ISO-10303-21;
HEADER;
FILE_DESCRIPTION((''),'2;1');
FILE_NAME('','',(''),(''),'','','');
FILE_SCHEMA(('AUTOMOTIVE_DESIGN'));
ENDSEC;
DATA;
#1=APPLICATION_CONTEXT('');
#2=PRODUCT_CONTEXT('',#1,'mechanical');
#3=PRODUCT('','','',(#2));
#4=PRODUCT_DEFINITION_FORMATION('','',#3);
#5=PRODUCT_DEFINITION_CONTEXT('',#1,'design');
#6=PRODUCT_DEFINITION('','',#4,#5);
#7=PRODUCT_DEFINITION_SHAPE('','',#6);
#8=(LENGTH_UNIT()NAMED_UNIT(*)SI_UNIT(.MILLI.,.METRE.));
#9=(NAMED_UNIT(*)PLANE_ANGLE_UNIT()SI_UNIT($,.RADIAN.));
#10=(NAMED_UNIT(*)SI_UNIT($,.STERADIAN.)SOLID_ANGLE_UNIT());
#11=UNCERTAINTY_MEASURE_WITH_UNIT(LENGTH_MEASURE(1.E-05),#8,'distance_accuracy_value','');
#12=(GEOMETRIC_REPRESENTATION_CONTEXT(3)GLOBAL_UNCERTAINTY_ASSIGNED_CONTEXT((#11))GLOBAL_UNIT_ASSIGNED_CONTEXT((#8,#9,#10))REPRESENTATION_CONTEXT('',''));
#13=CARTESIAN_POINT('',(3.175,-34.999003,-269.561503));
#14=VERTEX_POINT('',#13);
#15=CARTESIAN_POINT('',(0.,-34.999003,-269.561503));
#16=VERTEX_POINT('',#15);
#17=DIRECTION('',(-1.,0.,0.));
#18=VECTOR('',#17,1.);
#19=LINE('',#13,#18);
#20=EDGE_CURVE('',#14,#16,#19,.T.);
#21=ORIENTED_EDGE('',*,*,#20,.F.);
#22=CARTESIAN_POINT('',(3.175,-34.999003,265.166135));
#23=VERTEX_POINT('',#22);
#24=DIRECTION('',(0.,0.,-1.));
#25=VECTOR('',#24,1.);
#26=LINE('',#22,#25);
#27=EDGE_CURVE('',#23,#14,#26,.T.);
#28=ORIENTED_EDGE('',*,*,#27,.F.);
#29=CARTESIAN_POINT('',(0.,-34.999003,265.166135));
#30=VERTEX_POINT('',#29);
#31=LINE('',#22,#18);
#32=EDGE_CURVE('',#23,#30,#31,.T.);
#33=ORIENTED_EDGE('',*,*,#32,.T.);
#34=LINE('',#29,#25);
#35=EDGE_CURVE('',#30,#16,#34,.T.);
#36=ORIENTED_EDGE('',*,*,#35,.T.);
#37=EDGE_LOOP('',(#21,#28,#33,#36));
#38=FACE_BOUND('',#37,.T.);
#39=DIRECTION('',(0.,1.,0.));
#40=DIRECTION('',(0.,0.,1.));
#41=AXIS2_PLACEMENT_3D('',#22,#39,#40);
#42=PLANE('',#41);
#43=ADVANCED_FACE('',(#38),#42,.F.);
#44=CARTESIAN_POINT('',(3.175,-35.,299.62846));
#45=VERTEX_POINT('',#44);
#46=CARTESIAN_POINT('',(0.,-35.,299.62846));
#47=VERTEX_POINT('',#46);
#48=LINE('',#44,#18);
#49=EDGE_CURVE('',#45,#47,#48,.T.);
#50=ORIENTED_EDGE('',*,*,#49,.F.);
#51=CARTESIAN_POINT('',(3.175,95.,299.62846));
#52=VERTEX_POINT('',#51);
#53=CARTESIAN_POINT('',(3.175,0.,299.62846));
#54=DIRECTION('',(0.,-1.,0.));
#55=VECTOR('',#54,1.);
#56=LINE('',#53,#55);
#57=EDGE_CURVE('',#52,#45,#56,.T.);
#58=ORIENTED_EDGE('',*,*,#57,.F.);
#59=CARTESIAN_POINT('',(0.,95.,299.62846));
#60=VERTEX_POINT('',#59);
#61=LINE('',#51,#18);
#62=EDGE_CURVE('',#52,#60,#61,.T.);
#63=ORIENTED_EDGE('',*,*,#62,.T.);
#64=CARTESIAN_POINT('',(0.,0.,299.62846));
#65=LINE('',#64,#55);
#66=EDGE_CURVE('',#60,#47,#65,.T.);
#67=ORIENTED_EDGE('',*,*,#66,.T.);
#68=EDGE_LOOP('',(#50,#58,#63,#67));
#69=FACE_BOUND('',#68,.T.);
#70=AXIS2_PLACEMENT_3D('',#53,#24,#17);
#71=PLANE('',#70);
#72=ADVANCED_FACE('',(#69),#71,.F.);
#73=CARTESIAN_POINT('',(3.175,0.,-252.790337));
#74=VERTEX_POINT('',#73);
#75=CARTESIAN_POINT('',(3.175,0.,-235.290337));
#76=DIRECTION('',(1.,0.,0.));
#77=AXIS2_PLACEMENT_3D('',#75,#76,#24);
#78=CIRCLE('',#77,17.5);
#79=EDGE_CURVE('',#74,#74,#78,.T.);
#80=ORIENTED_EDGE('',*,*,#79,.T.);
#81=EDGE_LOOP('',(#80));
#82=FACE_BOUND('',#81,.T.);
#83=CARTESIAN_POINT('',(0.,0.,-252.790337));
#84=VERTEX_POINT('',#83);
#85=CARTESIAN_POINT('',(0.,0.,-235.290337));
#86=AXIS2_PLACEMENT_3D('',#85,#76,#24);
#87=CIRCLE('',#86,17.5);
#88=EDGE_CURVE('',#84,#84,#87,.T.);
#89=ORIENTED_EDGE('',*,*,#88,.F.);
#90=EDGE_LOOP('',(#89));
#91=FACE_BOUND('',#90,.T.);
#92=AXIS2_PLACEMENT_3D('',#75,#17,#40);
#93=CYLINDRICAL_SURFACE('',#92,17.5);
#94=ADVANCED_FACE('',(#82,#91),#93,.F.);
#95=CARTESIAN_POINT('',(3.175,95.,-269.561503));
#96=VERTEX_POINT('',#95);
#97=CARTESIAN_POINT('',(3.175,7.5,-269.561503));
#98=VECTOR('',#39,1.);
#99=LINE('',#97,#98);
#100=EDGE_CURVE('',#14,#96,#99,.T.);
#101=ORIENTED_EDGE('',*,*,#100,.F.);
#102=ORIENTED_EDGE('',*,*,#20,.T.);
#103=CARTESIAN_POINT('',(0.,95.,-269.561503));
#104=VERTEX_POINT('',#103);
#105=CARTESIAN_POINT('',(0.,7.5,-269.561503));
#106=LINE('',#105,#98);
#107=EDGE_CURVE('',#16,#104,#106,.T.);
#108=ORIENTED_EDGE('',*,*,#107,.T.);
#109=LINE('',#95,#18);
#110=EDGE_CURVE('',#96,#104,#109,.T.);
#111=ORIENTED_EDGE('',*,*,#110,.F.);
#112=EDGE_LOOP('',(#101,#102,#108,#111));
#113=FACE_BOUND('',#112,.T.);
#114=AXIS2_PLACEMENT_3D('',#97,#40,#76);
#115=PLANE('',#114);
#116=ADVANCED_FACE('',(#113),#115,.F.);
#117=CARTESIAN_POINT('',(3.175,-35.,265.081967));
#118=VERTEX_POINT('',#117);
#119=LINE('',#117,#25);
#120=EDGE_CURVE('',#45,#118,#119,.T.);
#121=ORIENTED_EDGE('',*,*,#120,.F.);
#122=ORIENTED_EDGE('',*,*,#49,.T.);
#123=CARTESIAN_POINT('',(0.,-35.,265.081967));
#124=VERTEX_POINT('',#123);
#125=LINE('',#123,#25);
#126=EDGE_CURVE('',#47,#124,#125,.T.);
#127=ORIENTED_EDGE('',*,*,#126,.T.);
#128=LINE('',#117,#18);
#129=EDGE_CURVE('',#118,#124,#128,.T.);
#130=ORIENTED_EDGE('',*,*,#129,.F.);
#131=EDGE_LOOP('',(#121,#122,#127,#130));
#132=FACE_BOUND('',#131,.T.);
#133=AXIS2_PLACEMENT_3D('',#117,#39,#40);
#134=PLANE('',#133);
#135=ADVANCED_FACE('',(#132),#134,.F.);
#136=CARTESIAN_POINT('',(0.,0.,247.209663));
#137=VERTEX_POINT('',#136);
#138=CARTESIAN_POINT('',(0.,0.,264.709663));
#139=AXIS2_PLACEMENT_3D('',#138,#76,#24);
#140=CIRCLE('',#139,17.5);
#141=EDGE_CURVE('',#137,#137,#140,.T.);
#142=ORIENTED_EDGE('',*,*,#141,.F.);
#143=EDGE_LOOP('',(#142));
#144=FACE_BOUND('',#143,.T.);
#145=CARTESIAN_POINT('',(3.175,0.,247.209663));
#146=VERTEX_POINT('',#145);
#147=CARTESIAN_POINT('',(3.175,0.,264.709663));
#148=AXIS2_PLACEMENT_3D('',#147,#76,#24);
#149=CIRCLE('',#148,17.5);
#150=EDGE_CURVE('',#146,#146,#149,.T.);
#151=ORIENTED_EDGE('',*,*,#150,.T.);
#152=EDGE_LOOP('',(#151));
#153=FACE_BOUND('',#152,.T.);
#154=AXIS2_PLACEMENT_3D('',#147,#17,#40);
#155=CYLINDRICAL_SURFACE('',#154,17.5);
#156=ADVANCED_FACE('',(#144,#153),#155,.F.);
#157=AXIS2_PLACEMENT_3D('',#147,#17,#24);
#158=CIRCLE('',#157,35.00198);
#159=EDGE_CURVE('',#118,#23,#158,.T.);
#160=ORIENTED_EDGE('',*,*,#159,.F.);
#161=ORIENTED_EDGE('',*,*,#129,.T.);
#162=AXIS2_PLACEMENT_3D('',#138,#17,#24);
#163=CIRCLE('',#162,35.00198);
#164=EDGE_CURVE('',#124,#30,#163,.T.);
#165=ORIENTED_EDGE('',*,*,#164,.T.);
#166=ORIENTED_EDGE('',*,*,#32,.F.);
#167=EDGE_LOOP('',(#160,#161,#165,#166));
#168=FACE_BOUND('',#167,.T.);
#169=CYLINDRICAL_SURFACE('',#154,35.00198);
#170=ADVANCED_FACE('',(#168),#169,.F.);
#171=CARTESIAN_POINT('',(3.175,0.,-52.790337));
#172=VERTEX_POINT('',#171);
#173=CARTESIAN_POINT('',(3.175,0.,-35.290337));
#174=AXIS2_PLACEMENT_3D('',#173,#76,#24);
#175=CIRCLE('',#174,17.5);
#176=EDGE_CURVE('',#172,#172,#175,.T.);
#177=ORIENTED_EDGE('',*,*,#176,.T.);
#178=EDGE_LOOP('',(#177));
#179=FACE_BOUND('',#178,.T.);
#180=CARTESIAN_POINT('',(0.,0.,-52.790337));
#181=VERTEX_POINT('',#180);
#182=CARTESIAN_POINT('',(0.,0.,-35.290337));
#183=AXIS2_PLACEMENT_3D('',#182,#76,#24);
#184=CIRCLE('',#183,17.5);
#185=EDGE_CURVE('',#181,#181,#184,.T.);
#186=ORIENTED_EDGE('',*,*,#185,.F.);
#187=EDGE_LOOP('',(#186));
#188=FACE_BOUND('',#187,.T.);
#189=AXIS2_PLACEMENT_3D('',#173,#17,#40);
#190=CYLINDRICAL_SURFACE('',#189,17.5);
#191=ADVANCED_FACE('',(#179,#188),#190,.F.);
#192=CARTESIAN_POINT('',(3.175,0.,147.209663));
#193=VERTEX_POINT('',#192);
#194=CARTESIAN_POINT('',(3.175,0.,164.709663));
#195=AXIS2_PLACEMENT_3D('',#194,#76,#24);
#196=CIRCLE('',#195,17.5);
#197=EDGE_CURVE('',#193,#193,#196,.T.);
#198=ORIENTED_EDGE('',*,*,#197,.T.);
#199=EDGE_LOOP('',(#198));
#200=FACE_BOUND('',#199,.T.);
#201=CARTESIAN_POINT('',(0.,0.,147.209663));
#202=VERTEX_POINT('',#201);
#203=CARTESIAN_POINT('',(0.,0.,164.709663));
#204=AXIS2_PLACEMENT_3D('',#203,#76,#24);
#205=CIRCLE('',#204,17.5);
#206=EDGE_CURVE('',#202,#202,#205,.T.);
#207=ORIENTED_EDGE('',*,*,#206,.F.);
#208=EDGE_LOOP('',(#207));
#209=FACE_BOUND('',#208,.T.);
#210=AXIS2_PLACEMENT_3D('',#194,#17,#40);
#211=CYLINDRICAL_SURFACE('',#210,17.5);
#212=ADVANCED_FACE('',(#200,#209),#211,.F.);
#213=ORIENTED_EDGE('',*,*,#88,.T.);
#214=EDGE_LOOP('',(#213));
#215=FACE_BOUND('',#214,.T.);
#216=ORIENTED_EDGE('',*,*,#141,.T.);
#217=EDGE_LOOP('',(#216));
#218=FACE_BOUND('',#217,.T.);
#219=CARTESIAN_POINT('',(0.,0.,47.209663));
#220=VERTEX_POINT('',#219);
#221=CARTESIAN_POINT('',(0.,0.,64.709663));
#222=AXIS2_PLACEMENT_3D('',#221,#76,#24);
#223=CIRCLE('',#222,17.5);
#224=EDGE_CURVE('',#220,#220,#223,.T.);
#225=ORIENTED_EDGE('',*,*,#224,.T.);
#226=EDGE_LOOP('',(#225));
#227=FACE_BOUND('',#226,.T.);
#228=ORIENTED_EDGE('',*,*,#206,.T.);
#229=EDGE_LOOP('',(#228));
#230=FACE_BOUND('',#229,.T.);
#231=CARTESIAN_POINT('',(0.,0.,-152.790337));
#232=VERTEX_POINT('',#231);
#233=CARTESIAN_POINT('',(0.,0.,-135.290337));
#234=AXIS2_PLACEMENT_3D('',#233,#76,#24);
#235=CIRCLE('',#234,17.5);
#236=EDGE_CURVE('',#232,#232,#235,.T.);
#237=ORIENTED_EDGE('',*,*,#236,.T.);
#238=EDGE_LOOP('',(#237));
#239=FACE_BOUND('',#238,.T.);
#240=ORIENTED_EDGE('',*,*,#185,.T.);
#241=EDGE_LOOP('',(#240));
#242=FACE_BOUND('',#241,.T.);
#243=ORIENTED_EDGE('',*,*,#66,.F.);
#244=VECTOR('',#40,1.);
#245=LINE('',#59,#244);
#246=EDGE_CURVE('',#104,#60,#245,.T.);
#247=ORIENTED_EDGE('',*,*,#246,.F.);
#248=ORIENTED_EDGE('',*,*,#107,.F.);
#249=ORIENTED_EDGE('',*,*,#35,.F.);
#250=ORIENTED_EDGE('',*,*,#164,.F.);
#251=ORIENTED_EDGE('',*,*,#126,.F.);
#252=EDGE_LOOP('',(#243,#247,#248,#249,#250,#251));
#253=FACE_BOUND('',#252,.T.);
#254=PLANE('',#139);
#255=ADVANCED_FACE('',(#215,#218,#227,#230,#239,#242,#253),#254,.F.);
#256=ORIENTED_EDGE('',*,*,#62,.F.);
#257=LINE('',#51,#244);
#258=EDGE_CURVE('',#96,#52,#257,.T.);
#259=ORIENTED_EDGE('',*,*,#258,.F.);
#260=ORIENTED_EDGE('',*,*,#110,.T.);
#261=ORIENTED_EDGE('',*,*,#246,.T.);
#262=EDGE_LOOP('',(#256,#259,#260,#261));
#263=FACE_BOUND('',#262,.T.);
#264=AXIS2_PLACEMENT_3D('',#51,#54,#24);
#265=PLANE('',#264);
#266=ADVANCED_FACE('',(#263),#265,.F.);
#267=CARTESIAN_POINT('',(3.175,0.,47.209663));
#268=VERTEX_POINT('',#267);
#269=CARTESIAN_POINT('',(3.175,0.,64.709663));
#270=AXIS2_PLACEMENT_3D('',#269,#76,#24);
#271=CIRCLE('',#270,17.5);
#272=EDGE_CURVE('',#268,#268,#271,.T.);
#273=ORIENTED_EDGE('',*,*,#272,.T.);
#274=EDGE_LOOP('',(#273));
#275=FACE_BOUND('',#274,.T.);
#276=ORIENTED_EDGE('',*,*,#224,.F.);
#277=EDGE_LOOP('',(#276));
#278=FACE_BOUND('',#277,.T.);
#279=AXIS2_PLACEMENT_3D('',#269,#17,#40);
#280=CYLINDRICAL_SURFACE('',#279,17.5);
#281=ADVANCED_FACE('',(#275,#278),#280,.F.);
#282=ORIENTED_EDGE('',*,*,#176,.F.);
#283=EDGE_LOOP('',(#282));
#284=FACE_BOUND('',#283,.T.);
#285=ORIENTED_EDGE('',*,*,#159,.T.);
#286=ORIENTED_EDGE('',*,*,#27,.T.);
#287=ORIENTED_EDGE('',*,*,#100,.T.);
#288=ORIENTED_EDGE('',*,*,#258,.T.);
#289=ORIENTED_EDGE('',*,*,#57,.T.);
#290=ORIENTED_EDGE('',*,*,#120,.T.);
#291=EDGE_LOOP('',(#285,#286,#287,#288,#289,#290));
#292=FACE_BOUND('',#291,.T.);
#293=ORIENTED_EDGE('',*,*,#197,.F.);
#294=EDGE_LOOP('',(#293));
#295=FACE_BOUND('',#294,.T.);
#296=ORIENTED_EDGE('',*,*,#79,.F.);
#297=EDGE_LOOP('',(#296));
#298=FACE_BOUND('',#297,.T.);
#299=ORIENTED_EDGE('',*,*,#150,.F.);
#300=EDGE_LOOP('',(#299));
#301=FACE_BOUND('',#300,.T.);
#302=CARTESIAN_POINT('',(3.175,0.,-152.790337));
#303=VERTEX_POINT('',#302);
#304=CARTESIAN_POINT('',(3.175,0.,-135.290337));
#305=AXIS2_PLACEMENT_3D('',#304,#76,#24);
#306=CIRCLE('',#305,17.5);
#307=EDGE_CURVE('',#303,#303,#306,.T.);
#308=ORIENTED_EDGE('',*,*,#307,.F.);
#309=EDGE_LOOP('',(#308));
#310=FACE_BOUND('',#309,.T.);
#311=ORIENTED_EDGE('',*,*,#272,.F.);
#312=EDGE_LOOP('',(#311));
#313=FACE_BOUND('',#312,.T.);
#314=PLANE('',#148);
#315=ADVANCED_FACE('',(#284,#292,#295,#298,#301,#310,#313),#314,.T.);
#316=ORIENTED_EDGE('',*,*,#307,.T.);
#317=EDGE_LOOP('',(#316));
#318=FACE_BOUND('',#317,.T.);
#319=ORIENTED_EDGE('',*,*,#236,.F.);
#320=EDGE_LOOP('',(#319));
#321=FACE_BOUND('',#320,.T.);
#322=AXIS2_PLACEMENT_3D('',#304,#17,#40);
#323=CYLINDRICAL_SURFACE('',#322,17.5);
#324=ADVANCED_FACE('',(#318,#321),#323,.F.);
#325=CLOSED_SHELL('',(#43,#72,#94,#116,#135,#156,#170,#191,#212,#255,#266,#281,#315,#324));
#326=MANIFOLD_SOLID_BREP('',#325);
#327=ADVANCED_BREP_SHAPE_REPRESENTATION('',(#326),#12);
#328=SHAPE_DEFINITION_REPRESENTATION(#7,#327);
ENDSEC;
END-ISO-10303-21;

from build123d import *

# Parameters (mm, degrees)
SKETCH1_R           = 17.5
BOSS_EXTRUDE1_DEPTH = 3.175


with BuildPart() as part:
    # Sketch1 → Boss-Extrude1 (new body)
    with BuildSketch(Plane(origin=(0, 0, 0), x_dir=(0, 0, -1), z_dir=(1, 0, 0))):
        with BuildLine():
            Line((-299.628459553, 0), (-299.628459553, -35))
            Line((-299.628459553, -35), (-265.081967213, -35))
            ThreePointArc((-265.081967213, -35), (-265.124051275, -34.999527037), (-265.166134738, -34.999003472))
            Line((-265.166134738, -34.999003472), (269.561502977, -34.999003472))
            Line((269.561502977, -34.999003472), (269.561502977, 7.5))
            Line((269.561502977, 7.5), (269.561502977, 95))
            Line((269.561502977, 95), (-299.628459553, 95))
            Line((-299.628459553, 95), (-299.628459553, 0))
        make_face()
        with Locations((-264.709663373, 0)):
            Circle(SKETCH1_R, mode=Mode.SUBTRACT)
        with Locations((-164.709663373, 0)):
            Circle(SKETCH1_R, mode=Mode.SUBTRACT)
        with Locations((-64.709663373, 0)):
            Circle(SKETCH1_R, mode=Mode.SUBTRACT)
        with Locations((35.290336627, 0)):
            Circle(SKETCH1_R, mode=Mode.SUBTRACT)
        with Locations((135.290336627, 0)):
            Circle(SKETCH1_R, mode=Mode.SUBTRACT)
        with Locations((235.290336627, 0)):
            Circle(SKETCH1_R, mode=Mode.SUBTRACT)
    extrude(amount=BOSS_EXTRUDE1_DEPTH)


solid = part.part
